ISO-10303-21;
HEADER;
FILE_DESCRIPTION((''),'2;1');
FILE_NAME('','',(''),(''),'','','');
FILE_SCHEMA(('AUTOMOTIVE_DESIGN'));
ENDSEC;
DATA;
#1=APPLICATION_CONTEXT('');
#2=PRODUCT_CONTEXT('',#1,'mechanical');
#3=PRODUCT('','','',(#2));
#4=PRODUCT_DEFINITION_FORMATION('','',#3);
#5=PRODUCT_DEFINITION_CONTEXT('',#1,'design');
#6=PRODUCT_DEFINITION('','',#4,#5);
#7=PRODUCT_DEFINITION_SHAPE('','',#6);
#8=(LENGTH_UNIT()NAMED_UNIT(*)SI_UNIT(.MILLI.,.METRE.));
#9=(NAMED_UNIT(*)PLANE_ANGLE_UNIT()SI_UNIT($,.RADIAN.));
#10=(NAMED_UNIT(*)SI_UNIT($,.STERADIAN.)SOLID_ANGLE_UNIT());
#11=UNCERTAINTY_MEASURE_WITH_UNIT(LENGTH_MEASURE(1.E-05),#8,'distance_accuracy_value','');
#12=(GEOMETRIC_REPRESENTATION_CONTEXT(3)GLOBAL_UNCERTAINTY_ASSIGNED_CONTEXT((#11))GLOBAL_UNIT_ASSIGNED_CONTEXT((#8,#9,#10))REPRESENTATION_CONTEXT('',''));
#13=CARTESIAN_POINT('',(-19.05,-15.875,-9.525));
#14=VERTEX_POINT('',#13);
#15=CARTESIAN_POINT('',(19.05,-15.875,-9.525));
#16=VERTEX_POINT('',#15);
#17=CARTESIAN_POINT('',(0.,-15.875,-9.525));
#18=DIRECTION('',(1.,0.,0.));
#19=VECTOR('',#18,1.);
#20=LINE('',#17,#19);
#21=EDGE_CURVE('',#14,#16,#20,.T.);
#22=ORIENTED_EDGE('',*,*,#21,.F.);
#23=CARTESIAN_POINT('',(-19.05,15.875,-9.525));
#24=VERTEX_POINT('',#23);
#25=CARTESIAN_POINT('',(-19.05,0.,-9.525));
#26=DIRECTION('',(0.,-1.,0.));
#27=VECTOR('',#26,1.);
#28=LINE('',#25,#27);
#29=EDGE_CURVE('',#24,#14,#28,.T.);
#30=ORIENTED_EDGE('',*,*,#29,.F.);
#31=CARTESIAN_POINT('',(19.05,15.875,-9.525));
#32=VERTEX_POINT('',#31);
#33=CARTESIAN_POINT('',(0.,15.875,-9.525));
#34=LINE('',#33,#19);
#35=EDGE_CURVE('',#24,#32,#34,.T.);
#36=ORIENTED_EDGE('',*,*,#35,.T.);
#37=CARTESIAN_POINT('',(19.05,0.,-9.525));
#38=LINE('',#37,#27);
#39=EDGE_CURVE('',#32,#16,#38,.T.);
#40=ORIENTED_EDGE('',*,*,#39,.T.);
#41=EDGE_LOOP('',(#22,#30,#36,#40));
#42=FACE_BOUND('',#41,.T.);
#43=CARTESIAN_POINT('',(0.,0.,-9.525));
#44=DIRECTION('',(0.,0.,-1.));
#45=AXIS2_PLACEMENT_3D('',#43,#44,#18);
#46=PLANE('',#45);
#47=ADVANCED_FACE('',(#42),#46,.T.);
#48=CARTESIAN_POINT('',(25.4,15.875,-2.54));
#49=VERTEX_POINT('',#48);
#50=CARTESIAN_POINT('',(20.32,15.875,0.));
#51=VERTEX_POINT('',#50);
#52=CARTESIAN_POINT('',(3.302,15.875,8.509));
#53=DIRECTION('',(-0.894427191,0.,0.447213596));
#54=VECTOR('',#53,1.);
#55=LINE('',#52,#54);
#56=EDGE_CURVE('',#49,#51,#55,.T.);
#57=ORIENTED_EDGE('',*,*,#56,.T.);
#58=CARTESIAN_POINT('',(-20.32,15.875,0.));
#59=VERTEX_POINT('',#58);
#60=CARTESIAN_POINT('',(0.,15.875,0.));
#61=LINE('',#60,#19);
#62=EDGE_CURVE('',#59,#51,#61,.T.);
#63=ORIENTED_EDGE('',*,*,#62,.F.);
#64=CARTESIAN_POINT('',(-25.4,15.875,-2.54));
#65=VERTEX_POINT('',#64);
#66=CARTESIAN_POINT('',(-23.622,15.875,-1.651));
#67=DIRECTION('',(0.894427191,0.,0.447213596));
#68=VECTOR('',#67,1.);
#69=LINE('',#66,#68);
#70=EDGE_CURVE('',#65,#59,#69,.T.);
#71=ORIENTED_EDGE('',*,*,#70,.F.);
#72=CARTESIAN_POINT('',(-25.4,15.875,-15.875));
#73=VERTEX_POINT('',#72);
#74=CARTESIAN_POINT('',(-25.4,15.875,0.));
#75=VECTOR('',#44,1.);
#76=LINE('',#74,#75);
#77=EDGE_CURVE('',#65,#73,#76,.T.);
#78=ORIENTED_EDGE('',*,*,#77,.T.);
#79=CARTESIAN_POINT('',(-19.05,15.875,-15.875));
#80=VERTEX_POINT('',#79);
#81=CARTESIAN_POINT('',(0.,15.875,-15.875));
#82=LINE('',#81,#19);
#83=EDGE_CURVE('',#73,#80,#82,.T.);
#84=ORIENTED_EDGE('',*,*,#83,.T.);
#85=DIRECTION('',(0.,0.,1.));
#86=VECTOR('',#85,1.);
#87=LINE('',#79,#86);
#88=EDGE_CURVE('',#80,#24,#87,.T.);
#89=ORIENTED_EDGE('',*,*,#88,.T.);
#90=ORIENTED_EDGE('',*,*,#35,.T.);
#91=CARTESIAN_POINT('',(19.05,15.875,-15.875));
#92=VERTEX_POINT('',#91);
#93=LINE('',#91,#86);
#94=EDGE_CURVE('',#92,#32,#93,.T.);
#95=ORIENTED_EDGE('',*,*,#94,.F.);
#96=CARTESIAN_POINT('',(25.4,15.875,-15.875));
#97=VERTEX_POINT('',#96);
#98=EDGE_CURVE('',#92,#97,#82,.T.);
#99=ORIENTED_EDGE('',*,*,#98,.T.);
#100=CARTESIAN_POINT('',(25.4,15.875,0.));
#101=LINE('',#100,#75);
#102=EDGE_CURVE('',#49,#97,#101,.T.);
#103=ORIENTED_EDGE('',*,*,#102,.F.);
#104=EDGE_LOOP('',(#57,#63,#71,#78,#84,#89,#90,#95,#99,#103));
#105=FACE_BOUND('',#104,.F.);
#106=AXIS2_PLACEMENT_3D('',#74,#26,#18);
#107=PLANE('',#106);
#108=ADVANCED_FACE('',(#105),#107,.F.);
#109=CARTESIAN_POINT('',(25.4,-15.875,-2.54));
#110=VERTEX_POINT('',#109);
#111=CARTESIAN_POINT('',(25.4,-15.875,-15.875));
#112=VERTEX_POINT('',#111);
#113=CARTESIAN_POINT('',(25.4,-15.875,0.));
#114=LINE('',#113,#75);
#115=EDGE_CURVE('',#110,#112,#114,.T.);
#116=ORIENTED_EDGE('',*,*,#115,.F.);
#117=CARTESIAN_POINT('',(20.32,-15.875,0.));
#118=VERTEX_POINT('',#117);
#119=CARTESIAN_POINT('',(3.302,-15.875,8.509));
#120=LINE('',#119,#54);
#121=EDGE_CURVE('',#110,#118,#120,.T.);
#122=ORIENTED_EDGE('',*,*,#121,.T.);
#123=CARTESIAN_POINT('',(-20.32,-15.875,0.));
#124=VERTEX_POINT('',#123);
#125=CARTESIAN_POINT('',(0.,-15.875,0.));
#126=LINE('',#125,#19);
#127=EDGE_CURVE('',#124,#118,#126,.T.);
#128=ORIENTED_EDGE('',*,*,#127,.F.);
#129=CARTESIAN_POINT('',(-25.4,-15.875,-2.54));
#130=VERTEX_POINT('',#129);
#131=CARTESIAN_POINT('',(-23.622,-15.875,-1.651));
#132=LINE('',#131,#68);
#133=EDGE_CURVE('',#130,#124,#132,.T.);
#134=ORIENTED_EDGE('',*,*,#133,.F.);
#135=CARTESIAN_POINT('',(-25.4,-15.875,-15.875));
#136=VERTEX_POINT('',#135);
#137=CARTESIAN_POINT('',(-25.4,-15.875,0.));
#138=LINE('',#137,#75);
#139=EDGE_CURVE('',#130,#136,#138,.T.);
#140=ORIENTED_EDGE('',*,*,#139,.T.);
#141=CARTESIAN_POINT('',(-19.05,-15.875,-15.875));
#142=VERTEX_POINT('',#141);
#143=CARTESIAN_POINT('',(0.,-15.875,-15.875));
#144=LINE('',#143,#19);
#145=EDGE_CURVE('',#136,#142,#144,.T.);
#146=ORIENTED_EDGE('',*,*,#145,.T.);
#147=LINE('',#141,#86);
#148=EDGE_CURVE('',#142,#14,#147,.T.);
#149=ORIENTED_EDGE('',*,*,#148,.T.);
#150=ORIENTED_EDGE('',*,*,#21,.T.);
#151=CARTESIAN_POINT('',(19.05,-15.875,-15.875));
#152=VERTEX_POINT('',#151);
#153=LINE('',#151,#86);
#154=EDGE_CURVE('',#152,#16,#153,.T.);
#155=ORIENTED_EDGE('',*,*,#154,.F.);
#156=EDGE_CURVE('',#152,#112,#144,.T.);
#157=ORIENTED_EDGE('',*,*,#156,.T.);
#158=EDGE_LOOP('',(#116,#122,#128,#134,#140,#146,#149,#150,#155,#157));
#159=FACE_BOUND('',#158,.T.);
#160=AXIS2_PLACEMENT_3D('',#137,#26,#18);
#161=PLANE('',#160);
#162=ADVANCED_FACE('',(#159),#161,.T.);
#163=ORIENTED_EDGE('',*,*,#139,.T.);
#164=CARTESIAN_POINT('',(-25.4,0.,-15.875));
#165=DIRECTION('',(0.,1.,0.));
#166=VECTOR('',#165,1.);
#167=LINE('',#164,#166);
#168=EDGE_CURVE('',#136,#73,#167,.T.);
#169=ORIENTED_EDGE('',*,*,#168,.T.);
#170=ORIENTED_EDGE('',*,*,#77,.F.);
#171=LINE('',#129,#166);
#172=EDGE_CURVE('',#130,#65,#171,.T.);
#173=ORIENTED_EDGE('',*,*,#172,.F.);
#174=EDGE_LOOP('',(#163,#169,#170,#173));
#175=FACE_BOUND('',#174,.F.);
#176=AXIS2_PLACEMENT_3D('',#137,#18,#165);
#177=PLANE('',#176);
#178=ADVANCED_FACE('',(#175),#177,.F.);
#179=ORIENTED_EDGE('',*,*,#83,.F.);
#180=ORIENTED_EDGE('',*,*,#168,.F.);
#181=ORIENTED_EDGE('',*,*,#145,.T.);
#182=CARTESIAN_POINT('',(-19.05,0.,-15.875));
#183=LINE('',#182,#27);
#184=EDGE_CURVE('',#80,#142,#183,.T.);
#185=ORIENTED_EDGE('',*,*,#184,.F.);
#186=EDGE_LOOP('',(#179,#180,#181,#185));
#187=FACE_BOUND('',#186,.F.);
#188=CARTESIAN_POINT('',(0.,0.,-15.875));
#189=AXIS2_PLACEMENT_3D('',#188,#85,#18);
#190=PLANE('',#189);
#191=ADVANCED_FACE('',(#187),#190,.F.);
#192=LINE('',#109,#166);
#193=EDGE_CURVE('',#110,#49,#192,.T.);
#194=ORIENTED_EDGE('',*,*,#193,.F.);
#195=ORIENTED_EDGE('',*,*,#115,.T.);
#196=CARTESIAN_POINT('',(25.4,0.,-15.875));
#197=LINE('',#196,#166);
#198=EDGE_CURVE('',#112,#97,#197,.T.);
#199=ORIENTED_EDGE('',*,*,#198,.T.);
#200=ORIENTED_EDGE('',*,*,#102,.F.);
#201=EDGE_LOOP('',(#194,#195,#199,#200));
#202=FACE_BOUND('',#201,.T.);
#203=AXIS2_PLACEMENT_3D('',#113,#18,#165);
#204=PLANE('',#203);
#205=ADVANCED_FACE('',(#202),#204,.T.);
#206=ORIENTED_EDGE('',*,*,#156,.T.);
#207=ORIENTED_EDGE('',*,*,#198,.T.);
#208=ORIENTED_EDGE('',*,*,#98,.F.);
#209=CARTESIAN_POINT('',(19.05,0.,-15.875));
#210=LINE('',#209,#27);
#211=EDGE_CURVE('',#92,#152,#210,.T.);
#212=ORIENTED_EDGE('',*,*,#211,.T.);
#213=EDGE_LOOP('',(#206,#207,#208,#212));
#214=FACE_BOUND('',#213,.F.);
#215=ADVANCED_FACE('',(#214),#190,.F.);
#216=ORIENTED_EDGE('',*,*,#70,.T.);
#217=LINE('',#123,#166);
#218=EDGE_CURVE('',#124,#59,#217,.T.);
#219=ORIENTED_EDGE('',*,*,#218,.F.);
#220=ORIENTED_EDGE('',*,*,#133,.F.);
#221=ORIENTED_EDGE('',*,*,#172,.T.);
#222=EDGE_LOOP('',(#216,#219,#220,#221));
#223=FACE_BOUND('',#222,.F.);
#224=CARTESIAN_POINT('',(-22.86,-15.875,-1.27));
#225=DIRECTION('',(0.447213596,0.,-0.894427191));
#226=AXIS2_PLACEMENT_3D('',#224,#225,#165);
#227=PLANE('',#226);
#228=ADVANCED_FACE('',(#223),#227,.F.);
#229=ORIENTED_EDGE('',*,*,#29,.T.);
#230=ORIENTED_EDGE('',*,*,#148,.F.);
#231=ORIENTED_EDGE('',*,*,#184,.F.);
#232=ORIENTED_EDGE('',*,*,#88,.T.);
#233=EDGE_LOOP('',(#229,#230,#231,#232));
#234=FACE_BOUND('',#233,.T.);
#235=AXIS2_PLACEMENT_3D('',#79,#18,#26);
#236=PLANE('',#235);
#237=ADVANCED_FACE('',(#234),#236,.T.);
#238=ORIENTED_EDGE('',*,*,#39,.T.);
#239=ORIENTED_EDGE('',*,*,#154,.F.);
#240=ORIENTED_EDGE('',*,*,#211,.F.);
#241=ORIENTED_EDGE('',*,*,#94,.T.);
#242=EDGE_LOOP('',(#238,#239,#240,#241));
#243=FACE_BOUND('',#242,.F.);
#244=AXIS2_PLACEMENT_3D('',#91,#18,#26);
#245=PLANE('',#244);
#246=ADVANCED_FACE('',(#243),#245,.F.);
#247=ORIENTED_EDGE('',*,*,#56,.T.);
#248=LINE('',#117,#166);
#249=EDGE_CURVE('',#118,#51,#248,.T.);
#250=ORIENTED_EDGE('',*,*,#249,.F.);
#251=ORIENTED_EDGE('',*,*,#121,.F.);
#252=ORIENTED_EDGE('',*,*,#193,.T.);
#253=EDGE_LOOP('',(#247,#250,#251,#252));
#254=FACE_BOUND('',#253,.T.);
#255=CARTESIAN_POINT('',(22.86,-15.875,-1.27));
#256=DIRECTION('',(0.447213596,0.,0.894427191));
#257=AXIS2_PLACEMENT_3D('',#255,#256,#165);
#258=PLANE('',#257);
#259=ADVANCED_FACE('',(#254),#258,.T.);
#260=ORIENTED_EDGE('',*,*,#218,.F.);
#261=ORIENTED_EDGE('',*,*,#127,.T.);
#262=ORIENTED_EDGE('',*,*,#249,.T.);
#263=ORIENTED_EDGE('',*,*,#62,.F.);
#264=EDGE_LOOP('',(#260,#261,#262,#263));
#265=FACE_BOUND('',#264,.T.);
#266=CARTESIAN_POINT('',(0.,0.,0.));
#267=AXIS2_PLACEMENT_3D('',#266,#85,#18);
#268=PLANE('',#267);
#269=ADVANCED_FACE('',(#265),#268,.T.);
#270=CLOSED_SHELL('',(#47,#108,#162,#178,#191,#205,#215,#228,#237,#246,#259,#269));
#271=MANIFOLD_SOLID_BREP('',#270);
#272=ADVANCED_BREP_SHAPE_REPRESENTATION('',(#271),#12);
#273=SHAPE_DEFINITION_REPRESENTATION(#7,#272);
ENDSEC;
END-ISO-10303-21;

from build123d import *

# Parameters (mm, degrees)
F0_W       = 50.8
F0_H       = 31.75
F1_DEPTH   = 15.875
F2_W       = 38.1
F2_H       = 31.75
F3_DEPTH   = 6.35
F4_SIZE2   = 5.08
F4_SIZE    = 2.54
F4_2_SIZE2 = 5.08
F4_2_SIZE  = 2.54


with BuildPart() as f1:
    # F0 (on Top) → F1 (new body)
    with BuildSketch(Plane.XY):
        Rectangle(F0_W, F0_H)
    extrude(amount=-F1_DEPTH)

    # F2 (on face) → F3 (cut)
    with BuildSketch(Plane(origin=(0, 0, -15.875), x_dir=(1, 0, 0), z_dir=(0, 0, -1))):
        Rectangle(F2_W, F2_H)
    extrude(amount=-F3_DEPTH, mode=Mode.SUBTRACT)

    # F4
    f4_edges = [f1.edges().sort_by_distance(p)[0] for p in [
        (-25.4, 0, 0),
    ]]
    f4_side = f1.faces().sort_by_distance((-25.4, 0, -7.9375))[0]
    chamfer(f4_edges, length=F4_SIZE, length2=F4_SIZE2, reference=f4_side)

    # F4#2
    f4_2_edges = [f1.edges().sort_by_distance(p)[0] for p in [
        (25.4, 0, 0),
    ]]
    f4_2_side = f1.faces().sort_by_distance((25.4, 0, -7.9375))[0]
    chamfer(f4_2_edges, length=F4_2_SIZE, length2=F4_2_SIZE2, reference=f4_2_side)


solid = f1.part
